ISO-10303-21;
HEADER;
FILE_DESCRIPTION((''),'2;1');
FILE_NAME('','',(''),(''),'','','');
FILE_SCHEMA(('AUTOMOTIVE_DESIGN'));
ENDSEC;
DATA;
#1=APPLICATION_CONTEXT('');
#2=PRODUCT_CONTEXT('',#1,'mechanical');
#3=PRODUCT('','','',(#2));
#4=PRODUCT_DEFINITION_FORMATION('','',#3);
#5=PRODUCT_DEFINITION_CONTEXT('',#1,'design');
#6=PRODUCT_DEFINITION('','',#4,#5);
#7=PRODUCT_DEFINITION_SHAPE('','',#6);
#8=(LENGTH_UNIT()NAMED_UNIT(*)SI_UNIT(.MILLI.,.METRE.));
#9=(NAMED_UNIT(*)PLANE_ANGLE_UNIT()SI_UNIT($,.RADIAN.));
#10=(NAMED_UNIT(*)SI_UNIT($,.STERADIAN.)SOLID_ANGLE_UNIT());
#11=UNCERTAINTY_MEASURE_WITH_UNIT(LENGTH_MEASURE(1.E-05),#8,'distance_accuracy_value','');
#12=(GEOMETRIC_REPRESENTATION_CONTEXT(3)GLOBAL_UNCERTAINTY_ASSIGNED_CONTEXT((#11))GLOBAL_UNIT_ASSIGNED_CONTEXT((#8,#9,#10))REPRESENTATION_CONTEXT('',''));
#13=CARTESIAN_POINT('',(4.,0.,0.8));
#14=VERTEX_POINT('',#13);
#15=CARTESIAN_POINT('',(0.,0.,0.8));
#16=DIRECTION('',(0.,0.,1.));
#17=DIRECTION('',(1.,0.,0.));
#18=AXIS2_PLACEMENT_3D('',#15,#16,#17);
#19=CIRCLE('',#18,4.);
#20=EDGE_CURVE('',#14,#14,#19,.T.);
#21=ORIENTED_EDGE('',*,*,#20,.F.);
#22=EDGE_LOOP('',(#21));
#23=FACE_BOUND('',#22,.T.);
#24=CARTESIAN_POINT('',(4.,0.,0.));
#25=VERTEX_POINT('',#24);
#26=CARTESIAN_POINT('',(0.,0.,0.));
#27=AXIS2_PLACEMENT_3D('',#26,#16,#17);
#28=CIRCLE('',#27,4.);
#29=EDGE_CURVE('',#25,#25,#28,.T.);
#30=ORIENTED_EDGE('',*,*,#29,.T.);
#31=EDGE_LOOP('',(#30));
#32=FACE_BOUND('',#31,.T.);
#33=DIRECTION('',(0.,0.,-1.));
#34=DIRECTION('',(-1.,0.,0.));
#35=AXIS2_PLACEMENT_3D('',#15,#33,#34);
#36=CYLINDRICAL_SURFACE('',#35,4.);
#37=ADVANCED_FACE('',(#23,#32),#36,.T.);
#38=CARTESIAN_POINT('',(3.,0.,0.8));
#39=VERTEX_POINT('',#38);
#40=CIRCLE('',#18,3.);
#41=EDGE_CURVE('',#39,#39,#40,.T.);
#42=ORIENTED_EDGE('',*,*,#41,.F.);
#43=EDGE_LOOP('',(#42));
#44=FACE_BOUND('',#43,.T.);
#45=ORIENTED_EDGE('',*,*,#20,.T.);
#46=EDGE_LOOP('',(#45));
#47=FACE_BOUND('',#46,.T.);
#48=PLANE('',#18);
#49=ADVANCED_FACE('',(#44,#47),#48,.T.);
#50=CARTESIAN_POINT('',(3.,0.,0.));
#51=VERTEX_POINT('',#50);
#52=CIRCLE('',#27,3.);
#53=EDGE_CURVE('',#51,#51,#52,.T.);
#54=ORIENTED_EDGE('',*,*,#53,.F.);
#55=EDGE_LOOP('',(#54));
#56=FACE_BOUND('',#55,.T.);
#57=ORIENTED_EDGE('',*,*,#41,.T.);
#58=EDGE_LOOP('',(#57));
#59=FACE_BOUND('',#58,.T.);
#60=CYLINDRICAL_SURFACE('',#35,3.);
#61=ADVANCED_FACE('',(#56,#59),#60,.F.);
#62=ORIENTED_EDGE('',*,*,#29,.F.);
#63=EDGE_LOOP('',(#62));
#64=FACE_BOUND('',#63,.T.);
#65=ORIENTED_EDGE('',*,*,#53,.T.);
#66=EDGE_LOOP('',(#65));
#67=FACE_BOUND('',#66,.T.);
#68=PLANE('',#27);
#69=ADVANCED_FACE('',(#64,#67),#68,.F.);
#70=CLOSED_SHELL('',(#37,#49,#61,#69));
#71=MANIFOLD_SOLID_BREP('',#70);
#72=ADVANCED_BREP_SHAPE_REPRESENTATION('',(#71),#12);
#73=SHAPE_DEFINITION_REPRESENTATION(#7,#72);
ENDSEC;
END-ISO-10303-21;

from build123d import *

# Parameters (mm, degrees)
SKICA1_R                = 4
SKICA1_R_2              = 3
P_IDAT_VYSUNUT_M1_DEPTH = 0.8


with BuildPart() as part:
    # Skica1 → Přidat vysunutím1 (new body)
    with BuildSketch(Plane.XY):
        Circle(SKICA1_R)
        Circle(SKICA1_R_2, mode=Mode.SUBTRACT)
    extrude(amount=P_IDAT_VYSUNUT_M1_DEPTH)


solid = part.part
